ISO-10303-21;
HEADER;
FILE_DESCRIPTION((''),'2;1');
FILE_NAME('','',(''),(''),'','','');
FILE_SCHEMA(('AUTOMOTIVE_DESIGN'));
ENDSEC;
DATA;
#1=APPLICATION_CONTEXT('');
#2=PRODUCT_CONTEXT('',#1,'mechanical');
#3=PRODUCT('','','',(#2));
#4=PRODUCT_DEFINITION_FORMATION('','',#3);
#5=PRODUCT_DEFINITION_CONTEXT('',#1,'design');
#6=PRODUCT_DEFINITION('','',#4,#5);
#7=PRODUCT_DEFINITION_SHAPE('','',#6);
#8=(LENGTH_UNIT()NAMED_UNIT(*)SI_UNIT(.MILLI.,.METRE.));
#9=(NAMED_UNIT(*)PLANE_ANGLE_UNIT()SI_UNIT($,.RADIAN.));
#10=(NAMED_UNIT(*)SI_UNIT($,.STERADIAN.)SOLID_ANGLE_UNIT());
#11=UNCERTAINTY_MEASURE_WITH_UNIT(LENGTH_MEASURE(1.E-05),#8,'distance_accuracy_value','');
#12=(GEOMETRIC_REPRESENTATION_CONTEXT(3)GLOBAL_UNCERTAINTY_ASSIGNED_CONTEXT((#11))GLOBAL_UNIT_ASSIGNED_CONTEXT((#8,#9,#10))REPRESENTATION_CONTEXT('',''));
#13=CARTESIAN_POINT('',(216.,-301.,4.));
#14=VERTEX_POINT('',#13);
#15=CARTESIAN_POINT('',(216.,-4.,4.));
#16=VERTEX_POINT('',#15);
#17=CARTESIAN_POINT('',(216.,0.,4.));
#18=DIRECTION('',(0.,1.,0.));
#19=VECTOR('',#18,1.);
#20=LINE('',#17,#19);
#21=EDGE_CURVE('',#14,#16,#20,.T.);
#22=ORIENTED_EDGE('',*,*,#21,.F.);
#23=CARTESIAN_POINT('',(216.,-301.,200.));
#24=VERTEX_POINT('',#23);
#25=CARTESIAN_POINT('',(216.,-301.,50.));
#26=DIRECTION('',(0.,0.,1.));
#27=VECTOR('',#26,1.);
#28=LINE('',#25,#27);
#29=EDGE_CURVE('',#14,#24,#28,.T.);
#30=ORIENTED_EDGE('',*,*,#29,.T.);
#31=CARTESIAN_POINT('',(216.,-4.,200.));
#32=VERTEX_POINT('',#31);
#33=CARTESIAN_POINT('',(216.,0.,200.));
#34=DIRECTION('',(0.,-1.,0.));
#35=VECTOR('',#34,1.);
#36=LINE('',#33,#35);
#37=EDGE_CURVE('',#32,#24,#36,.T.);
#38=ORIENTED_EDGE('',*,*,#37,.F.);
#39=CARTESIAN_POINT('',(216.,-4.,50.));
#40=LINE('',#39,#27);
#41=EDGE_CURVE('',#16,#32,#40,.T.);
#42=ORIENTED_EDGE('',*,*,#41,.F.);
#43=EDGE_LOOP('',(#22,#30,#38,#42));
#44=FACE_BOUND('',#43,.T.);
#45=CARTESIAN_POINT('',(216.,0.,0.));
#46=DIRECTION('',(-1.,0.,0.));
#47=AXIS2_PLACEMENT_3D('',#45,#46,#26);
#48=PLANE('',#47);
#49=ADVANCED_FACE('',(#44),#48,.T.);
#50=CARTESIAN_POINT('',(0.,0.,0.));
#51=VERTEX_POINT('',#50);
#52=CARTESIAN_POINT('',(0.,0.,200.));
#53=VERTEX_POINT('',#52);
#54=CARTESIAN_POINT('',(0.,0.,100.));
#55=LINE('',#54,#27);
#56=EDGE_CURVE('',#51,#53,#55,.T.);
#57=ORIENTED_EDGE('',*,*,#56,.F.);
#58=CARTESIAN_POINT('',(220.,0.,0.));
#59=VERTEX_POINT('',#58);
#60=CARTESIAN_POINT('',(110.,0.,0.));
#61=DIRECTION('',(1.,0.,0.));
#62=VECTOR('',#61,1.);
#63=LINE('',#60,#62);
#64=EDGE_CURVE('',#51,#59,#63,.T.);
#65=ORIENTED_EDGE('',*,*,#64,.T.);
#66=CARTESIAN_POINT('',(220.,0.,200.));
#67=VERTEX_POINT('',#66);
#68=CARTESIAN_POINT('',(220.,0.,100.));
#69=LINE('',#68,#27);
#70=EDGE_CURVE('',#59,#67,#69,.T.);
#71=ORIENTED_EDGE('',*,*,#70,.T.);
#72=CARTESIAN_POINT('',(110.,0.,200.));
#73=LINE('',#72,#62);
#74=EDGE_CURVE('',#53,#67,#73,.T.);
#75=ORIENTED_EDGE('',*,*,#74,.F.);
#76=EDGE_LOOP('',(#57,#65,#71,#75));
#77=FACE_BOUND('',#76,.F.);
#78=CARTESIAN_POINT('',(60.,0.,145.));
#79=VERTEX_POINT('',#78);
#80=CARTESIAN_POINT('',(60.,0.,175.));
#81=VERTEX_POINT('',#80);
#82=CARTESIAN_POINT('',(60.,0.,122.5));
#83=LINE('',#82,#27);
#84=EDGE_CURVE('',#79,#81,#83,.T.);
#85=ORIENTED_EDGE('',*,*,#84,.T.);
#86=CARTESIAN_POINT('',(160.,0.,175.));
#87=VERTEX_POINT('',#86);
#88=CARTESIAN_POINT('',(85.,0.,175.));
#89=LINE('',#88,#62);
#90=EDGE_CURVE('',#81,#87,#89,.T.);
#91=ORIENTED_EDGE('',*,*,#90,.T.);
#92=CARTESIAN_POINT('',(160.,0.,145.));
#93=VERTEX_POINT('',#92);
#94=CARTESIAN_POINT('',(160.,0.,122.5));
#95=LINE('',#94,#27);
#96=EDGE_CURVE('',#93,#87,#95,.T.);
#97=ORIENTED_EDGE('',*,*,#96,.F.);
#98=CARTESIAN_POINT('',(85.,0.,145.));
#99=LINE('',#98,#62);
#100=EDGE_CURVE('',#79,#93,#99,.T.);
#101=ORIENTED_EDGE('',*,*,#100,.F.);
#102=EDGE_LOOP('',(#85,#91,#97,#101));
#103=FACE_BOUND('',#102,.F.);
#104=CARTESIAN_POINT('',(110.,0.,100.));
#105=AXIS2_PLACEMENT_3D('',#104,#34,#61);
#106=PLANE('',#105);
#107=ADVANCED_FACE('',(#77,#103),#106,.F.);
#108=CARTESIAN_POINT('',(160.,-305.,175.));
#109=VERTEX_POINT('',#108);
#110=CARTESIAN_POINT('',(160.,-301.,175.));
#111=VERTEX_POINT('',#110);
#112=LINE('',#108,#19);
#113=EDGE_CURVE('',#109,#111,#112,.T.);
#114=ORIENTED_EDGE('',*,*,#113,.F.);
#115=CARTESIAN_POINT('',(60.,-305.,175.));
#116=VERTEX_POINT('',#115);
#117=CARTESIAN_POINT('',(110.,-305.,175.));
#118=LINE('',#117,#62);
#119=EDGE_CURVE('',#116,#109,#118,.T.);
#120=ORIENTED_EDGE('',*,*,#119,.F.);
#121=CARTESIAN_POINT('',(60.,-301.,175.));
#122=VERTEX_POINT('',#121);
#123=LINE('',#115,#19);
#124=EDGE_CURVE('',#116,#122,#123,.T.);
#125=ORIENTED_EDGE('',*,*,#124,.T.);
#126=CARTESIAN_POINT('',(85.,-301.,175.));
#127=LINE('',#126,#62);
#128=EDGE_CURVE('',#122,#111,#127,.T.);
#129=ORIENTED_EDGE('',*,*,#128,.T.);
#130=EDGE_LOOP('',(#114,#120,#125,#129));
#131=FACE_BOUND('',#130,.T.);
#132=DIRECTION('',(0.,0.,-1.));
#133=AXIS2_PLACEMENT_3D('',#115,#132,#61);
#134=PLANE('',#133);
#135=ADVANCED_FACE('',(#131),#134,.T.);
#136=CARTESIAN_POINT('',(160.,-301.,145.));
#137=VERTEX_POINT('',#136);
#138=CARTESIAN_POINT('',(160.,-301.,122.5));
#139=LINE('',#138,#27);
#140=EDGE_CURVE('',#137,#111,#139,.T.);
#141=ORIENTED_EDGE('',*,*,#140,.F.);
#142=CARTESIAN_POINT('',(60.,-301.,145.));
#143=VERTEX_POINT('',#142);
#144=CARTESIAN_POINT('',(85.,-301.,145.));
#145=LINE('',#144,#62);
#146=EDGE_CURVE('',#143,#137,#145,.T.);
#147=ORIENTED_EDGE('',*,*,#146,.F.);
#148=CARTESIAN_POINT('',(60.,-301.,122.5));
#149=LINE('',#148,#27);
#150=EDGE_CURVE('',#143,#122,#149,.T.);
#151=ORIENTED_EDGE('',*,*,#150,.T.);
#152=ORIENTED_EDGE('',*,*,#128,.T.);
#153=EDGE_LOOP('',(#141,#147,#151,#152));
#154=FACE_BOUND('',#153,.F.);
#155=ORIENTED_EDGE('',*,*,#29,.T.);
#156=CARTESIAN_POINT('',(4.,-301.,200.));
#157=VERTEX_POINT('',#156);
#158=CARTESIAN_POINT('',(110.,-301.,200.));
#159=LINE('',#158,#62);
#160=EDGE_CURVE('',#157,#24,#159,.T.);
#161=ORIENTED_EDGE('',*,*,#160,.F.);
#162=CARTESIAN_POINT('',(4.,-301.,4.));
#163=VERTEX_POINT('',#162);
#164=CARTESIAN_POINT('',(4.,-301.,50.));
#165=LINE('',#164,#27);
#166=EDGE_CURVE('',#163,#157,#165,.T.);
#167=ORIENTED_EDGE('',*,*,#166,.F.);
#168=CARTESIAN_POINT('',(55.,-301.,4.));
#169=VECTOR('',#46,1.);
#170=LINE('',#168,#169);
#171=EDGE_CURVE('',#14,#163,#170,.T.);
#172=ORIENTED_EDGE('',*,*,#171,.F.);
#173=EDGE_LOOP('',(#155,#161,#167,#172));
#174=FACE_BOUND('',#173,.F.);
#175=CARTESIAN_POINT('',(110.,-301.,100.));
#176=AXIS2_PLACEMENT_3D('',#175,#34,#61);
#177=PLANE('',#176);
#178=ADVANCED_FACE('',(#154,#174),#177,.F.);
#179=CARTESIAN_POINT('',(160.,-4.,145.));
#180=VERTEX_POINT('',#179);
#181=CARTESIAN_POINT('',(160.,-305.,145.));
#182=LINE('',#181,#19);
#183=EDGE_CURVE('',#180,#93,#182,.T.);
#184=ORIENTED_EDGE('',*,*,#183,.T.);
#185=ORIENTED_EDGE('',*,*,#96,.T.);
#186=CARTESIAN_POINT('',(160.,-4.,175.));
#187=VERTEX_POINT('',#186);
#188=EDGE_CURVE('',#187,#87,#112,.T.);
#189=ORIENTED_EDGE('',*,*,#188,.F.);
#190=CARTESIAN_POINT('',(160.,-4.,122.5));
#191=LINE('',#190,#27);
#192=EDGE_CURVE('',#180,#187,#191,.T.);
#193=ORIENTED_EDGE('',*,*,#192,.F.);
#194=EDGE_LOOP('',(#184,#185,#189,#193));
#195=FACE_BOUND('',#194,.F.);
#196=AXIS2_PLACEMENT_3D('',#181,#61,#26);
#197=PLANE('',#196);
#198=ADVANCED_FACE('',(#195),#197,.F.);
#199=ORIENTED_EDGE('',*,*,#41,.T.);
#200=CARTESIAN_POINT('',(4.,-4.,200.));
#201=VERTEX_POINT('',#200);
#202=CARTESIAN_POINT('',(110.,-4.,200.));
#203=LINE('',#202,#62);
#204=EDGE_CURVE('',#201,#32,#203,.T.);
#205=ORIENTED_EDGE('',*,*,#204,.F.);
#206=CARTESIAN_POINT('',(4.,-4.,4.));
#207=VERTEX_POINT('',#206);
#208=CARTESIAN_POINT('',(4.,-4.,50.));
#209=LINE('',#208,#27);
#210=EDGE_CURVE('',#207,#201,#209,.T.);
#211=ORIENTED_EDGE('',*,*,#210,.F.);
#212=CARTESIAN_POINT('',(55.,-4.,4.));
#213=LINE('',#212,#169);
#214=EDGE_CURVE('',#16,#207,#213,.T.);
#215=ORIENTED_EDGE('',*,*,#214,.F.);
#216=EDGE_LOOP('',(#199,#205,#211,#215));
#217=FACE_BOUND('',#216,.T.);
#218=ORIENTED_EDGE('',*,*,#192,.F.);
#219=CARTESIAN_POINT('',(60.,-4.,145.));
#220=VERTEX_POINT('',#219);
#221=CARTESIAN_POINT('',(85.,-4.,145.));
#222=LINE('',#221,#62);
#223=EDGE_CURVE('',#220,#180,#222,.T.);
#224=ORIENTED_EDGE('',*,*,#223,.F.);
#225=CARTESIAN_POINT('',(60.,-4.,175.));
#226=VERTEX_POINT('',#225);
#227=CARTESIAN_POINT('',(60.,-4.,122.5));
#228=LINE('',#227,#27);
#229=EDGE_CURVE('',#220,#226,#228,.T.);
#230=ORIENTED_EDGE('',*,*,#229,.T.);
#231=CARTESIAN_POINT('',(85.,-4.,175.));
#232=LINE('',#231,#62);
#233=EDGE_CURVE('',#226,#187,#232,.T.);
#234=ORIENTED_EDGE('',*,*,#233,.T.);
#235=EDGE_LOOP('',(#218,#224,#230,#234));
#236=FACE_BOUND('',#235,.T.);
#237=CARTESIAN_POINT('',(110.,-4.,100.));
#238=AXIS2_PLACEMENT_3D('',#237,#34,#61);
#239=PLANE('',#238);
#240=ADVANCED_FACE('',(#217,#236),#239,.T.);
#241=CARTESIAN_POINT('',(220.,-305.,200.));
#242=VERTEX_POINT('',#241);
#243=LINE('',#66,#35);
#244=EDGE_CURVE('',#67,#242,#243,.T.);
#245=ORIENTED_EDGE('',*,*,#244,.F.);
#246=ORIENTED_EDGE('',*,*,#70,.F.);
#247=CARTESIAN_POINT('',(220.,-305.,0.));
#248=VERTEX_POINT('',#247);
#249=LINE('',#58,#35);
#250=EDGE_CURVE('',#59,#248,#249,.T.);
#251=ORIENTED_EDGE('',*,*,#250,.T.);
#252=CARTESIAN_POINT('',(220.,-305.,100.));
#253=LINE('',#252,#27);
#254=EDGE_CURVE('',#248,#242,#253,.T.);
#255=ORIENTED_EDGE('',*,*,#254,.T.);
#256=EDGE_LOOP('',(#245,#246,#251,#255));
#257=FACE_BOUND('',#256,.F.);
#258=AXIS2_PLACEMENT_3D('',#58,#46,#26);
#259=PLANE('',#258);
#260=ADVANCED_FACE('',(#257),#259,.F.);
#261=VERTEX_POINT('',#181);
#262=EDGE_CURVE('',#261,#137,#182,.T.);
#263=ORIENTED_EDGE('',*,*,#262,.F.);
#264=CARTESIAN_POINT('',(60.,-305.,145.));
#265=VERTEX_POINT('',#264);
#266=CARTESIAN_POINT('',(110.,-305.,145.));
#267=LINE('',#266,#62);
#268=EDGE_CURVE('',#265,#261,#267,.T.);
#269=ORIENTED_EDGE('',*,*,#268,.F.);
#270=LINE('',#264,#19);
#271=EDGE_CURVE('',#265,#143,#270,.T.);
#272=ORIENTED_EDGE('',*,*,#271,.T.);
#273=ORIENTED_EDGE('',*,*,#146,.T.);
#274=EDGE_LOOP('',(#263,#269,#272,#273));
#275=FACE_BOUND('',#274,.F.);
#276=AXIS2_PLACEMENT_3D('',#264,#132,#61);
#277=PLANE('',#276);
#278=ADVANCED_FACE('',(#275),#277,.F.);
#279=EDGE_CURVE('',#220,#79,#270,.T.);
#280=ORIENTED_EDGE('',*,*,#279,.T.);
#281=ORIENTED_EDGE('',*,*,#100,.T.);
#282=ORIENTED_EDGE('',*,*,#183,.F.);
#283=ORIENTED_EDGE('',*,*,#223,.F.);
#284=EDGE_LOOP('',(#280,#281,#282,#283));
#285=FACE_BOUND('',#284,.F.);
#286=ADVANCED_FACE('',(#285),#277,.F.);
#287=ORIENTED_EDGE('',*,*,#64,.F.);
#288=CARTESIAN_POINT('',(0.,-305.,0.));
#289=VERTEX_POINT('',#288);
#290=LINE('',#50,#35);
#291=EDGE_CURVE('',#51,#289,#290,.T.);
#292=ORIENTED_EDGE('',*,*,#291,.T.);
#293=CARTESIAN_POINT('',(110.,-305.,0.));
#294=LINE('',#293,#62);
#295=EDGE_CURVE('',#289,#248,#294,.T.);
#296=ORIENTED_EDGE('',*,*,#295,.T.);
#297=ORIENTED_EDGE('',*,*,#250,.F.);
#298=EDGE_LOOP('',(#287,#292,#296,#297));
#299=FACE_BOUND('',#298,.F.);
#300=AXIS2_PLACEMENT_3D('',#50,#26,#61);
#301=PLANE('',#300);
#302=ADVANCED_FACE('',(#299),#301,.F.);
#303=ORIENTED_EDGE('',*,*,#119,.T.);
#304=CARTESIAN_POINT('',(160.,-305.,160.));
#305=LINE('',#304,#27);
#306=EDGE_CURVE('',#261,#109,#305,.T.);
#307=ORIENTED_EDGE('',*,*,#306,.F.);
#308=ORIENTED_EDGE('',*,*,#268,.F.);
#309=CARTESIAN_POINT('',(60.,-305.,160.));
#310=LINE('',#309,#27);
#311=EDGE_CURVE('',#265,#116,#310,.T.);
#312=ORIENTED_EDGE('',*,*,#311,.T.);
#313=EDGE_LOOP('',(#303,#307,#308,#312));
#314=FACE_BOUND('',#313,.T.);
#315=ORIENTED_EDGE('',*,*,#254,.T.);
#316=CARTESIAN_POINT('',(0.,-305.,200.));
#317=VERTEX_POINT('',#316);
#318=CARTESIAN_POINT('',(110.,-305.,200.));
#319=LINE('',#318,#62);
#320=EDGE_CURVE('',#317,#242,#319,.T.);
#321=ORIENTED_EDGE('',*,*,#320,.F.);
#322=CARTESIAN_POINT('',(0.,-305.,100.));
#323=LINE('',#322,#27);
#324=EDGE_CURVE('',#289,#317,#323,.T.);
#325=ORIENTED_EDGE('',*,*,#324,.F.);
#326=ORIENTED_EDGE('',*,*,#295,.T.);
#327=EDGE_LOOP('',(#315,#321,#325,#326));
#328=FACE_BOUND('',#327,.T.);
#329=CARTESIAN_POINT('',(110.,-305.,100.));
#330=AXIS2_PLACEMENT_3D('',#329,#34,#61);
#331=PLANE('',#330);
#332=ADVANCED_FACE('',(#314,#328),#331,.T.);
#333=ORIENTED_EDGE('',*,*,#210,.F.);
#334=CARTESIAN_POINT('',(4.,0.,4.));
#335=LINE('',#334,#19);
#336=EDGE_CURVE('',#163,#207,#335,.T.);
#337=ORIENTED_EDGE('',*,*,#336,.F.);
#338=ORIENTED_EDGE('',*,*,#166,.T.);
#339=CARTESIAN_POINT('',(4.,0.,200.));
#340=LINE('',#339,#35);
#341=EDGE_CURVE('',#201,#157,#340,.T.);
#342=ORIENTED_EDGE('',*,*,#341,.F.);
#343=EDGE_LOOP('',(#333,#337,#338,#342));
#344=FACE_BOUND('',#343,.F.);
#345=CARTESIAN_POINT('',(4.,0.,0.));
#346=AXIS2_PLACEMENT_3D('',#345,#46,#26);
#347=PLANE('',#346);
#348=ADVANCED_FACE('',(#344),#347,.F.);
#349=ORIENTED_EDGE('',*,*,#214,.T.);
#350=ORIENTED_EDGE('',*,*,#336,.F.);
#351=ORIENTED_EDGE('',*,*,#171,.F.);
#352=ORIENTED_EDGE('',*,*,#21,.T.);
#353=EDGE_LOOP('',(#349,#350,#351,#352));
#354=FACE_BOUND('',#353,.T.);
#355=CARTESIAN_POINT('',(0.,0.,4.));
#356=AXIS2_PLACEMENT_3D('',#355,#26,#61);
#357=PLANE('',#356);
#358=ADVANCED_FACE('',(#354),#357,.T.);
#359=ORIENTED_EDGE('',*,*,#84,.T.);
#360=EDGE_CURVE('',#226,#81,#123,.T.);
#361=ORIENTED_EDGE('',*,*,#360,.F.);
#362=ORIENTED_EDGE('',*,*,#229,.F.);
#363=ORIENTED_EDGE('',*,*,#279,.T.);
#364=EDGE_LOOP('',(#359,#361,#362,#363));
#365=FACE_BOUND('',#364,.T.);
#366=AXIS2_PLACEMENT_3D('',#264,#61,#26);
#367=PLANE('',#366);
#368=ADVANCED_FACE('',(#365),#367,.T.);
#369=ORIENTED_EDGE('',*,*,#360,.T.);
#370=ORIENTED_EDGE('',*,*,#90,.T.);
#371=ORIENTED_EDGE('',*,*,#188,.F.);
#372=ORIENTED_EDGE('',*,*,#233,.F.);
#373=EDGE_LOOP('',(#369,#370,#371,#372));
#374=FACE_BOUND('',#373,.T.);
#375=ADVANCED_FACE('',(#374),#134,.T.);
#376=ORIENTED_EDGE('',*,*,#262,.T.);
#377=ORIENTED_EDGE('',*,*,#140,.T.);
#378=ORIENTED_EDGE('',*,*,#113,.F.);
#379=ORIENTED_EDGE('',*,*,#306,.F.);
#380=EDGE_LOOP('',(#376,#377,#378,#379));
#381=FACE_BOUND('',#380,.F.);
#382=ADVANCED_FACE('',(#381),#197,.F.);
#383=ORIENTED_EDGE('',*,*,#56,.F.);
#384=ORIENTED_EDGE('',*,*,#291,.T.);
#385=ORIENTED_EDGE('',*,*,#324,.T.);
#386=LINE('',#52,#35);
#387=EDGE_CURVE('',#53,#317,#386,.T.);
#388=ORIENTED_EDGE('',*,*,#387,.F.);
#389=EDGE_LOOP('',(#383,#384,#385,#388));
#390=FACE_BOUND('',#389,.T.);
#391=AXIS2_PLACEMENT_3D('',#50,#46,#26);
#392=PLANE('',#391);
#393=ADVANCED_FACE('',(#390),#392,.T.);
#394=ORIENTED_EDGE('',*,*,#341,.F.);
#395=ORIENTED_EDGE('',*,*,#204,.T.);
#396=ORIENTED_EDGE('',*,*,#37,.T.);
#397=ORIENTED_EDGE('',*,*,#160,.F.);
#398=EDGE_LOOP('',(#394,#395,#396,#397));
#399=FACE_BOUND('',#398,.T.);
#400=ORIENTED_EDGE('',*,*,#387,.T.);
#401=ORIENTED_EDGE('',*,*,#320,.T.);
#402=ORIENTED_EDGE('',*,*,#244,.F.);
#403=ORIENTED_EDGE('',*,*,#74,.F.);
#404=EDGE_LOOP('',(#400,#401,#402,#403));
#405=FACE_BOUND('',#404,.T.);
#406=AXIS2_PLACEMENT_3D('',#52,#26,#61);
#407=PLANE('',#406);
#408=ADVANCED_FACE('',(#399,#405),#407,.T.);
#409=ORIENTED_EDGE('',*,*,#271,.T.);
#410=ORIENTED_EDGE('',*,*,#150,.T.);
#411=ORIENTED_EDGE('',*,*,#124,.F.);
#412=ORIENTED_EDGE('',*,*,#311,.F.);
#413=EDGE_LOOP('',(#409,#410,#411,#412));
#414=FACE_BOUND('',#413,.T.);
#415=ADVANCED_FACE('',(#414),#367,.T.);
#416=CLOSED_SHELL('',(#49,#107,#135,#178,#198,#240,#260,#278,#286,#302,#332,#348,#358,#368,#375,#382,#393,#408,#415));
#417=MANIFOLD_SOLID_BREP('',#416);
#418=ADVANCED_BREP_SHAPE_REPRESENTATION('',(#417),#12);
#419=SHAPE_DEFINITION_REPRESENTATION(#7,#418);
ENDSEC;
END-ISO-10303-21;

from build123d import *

# Parameters (mm, degrees)
F0_W     = 220
F0_H     = 200
F1_DEPTH = 305
F2_T     = -4
F3_W     = 100
F3_H     = 30
F4_DEPTH = 305.001


with BuildPart() as f1:
    # F0 (on Front) → F1 (new body)
    with BuildSketch(Plane.XZ):
        with Locations((110, 100)):
            Rectangle(F0_W, F0_H)
    extrude(amount=F1_DEPTH)

    # F2
    f2_openings = [f1.faces().sort_by_distance(p)[0] for p in [
        (110, -152.5, 200),
    ]]
    offset(amount=F2_T, openings=f2_openings)

    # F3 (on face) → F4 (cut, through all)
    with BuildSketch(Plane.XZ.offset(305)):
        with Locations((110, 160)):
            Rectangle(F3_W, F3_H)
    extrude(amount=-F4_DEPTH, mode=Mode.SUBTRACT)


solid = f1.part
